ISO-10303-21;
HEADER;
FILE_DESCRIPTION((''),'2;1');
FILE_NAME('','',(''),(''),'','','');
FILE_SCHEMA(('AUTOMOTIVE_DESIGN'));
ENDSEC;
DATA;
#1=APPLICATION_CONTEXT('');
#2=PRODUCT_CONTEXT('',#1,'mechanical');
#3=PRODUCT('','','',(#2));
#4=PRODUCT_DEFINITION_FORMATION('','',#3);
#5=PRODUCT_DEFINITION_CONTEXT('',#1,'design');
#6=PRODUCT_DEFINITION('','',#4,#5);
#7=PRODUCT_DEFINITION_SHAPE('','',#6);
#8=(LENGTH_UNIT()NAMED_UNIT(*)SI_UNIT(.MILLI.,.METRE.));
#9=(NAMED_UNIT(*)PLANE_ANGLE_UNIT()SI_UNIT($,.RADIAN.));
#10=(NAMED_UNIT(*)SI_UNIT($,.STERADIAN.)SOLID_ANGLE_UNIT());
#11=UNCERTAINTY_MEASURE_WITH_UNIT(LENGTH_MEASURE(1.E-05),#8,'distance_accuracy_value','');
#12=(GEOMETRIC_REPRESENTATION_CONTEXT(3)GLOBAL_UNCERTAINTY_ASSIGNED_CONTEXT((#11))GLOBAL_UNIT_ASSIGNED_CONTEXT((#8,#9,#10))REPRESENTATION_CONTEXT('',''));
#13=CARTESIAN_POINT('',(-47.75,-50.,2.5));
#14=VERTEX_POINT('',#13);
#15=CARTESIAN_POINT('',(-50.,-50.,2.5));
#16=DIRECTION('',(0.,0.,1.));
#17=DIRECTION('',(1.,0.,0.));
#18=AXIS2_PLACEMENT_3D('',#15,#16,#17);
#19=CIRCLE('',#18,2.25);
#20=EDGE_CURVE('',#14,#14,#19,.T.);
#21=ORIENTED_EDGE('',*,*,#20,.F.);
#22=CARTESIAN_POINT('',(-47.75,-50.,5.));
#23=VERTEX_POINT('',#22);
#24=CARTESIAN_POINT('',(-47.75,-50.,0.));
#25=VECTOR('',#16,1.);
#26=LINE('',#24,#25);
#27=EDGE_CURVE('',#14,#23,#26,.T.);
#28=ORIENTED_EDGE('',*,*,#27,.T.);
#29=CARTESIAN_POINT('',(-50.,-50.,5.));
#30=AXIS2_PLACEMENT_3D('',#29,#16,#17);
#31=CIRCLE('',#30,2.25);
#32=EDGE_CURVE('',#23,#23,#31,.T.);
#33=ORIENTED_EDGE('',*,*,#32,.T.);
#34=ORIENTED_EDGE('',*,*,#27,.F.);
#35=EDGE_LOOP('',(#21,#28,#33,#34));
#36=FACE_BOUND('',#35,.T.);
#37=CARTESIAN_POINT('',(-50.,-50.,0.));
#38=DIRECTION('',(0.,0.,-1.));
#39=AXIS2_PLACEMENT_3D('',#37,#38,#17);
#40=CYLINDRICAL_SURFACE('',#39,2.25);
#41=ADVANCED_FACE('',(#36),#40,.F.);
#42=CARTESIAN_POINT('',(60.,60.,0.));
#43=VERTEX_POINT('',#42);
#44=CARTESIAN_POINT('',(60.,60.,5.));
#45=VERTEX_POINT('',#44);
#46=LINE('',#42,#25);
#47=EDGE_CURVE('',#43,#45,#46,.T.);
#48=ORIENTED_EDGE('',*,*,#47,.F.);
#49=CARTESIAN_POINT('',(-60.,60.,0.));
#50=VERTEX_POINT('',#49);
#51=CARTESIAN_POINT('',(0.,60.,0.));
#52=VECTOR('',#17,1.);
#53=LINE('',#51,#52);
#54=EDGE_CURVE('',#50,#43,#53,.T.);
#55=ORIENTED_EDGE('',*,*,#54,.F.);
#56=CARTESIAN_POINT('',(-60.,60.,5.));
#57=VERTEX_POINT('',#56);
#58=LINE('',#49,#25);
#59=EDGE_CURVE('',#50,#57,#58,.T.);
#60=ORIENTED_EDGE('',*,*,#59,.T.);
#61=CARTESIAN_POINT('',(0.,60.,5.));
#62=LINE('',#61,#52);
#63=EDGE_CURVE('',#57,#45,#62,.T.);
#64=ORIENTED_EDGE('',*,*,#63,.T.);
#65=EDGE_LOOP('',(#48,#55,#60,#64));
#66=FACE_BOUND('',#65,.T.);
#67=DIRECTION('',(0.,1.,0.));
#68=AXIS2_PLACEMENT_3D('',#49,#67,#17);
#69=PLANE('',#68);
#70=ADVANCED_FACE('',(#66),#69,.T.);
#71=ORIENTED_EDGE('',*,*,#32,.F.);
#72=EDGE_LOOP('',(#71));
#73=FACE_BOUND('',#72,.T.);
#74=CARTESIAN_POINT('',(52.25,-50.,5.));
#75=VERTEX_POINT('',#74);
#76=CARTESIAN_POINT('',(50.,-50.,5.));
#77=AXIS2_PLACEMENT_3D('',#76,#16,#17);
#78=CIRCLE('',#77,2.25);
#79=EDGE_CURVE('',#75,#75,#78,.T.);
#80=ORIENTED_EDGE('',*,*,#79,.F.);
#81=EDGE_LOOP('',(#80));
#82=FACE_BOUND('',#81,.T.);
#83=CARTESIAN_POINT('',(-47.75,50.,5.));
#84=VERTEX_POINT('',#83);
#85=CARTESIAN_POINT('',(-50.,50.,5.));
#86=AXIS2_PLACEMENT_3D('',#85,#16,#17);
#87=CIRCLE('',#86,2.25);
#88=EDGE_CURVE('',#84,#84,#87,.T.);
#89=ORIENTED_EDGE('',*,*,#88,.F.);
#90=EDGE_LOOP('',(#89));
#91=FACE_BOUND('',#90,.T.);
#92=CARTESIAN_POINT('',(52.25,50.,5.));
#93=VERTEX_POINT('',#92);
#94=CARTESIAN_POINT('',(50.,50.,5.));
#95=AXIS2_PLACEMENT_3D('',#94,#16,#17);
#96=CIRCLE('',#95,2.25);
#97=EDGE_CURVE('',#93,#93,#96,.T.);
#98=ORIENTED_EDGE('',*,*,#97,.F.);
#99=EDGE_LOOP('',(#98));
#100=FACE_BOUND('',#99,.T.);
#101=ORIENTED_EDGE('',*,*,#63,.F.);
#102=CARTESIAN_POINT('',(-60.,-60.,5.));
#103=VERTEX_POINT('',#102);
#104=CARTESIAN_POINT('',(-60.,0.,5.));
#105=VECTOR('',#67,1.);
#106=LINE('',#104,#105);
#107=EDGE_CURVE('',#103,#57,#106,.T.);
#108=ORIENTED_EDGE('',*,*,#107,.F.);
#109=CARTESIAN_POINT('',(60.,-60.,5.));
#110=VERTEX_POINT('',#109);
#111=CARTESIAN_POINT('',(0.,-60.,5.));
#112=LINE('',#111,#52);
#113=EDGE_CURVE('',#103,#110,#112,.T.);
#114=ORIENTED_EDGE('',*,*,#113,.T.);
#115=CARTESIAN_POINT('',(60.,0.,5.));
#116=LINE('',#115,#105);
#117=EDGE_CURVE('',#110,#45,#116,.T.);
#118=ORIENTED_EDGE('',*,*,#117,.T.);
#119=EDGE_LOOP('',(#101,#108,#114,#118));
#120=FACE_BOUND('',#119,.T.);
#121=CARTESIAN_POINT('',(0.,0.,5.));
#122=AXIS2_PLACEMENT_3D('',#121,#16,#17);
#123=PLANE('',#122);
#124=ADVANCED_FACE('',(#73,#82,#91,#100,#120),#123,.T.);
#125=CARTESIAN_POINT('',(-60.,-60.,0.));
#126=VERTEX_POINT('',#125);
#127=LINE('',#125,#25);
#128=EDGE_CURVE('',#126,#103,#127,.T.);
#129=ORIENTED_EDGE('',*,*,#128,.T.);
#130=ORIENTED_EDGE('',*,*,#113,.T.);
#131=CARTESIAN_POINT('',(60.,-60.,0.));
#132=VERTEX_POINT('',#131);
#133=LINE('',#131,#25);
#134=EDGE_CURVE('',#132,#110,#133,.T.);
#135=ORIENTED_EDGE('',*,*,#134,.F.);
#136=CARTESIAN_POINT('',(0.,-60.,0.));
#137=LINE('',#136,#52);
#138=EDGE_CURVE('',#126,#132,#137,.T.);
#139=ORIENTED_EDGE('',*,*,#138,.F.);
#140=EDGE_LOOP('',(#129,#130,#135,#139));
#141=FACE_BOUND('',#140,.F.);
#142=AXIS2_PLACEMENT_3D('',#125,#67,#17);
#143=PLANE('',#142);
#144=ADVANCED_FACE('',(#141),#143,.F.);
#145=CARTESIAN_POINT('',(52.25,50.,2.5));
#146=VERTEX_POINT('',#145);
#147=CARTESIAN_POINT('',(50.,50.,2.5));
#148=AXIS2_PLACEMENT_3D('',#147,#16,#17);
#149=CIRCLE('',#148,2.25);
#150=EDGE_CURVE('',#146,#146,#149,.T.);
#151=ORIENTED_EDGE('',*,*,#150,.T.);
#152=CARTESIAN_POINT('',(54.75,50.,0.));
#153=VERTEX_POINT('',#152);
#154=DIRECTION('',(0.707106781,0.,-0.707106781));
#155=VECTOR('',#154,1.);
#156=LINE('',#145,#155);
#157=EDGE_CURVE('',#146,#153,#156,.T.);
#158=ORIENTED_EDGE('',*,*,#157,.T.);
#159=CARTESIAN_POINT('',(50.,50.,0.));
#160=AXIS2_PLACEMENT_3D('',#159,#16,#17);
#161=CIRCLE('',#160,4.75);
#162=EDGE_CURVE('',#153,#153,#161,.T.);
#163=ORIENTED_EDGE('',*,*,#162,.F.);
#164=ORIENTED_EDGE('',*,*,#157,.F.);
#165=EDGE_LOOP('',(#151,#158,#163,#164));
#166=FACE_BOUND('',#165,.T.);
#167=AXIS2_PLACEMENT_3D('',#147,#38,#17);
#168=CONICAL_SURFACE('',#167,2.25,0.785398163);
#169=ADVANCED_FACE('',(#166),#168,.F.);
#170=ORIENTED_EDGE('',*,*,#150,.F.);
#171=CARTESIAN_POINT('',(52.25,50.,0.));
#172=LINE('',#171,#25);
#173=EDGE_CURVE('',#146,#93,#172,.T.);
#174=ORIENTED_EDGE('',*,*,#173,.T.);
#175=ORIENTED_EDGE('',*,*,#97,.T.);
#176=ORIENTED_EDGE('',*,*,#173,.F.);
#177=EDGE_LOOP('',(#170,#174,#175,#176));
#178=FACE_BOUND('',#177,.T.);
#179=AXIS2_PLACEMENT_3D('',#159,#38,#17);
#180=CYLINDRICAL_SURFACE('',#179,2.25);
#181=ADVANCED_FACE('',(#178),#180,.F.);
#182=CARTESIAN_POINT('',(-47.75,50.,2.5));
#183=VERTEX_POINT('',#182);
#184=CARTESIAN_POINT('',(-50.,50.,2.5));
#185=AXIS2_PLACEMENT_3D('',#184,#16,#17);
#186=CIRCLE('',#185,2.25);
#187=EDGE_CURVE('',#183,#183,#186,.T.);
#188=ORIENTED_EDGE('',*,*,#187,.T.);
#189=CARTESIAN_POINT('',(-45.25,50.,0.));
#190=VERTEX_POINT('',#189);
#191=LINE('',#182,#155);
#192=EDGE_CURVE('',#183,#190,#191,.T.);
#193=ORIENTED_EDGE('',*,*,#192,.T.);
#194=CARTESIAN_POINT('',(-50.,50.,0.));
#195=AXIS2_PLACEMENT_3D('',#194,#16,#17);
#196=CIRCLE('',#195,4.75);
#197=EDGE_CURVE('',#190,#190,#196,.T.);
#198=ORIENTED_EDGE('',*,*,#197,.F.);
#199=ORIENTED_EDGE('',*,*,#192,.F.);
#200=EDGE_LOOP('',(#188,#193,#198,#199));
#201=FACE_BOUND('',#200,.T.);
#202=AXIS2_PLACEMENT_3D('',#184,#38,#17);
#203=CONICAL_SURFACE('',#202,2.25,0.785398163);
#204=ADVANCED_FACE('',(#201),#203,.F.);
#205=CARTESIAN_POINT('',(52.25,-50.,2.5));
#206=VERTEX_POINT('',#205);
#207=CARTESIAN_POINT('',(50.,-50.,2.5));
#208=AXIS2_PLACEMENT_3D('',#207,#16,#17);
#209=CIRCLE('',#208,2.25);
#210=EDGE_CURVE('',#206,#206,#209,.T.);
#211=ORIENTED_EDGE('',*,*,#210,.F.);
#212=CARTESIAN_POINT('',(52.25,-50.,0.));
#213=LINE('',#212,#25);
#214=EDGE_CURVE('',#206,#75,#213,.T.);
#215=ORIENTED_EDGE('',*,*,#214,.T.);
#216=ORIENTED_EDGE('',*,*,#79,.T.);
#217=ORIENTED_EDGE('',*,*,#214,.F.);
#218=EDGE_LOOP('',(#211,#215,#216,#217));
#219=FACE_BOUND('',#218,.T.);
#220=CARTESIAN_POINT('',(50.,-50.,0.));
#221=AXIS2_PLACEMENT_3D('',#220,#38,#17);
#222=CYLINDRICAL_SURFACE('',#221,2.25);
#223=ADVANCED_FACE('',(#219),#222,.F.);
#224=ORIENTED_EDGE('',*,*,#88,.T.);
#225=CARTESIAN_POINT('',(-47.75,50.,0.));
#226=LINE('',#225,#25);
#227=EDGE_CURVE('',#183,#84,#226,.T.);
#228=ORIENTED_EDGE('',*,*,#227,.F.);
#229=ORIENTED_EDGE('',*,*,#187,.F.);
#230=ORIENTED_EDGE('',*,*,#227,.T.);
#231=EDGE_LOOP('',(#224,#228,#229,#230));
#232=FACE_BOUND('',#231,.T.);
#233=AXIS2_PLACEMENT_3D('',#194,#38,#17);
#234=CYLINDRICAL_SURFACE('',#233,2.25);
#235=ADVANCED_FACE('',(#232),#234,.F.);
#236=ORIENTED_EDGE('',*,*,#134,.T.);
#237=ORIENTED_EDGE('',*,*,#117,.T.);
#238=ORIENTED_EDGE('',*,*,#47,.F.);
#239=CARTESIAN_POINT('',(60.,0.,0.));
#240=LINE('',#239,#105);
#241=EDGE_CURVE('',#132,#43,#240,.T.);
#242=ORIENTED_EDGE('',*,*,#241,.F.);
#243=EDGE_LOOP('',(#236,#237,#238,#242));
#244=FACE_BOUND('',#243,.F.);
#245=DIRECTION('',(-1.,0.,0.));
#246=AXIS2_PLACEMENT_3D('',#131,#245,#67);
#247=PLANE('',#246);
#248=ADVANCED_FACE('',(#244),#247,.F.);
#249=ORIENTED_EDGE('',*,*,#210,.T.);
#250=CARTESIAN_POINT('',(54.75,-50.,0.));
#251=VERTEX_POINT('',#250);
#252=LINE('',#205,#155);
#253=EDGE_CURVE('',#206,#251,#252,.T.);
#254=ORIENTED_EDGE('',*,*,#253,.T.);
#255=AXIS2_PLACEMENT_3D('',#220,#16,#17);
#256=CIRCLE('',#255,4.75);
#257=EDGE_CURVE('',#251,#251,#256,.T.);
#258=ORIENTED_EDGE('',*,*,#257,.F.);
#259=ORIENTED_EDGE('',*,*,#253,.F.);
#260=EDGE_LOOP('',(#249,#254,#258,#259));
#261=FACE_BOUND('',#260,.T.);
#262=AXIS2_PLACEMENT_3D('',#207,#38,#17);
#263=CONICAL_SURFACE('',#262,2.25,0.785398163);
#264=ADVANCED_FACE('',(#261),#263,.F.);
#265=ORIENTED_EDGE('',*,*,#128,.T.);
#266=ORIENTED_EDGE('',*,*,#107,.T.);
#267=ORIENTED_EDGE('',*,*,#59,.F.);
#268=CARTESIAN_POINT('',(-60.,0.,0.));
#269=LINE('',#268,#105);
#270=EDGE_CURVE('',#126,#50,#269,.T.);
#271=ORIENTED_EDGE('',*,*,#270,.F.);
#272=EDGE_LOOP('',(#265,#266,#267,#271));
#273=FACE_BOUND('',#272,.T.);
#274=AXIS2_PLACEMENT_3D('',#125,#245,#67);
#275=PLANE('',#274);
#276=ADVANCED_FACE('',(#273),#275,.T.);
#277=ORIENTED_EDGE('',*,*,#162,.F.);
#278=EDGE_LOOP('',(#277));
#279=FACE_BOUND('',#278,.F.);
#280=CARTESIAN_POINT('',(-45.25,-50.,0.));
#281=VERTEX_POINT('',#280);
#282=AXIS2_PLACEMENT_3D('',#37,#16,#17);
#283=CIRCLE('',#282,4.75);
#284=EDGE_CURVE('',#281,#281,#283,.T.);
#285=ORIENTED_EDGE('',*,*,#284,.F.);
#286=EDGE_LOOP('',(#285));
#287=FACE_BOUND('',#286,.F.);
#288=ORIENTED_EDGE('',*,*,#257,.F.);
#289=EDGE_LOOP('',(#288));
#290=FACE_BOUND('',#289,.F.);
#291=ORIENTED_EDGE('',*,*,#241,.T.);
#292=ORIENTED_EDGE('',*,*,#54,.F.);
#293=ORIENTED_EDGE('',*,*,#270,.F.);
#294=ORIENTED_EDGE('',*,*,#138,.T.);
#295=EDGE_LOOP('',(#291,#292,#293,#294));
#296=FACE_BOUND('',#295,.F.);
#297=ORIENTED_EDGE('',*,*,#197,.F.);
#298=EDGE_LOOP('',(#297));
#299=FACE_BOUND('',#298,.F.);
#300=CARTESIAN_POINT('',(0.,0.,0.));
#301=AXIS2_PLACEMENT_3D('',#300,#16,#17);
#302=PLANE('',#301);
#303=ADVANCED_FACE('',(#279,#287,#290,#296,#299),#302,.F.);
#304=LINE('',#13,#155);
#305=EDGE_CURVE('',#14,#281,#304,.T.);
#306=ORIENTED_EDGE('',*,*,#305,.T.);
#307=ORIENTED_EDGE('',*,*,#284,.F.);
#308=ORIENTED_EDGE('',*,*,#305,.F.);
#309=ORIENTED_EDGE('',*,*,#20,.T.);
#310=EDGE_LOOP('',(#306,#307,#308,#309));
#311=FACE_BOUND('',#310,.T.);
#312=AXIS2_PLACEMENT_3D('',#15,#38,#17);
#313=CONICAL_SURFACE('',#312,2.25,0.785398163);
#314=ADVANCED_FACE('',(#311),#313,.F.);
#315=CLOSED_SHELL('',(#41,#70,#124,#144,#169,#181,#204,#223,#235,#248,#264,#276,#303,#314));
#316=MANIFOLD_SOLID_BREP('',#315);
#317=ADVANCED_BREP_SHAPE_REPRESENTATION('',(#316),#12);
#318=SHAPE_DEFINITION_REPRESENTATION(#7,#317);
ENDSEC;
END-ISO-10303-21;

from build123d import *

# Parameters (mm, degrees)
F0_W     = 120
F0_H     = 120
F0_R     = 2.25
F1_DEPTH = 5
F2_SIZE  = 2.5


with BuildPart() as f1:
    # F0 (on Top) → F1 (new body)
    with BuildSketch(Plane.XY):
        Rectangle(F0_W, F0_H)
        with Locations((-50, -50)):
            Circle(F0_R, mode=Mode.SUBTRACT)
        with Locations((50, -50)):
            Circle(F0_R, mode=Mode.SUBTRACT)
        with Locations((-50, 50)):
            Circle(F0_R, mode=Mode.SUBTRACT)
        with Locations((50, 50)):
            Circle(F0_R, mode=Mode.SUBTRACT)
    extrude(amount=F1_DEPTH)

    # F2
    f2_edges = [f1.edges().sort_by_distance(p)[0] for p in [
        (47.75, -50, 0),
        (-52.25, -50, 0),
        (-52.25, 50, 0),
        (47.75, 50, 0),
    ]]
    chamfer(f2_edges, length=F2_SIZE)


solid = f1.part
